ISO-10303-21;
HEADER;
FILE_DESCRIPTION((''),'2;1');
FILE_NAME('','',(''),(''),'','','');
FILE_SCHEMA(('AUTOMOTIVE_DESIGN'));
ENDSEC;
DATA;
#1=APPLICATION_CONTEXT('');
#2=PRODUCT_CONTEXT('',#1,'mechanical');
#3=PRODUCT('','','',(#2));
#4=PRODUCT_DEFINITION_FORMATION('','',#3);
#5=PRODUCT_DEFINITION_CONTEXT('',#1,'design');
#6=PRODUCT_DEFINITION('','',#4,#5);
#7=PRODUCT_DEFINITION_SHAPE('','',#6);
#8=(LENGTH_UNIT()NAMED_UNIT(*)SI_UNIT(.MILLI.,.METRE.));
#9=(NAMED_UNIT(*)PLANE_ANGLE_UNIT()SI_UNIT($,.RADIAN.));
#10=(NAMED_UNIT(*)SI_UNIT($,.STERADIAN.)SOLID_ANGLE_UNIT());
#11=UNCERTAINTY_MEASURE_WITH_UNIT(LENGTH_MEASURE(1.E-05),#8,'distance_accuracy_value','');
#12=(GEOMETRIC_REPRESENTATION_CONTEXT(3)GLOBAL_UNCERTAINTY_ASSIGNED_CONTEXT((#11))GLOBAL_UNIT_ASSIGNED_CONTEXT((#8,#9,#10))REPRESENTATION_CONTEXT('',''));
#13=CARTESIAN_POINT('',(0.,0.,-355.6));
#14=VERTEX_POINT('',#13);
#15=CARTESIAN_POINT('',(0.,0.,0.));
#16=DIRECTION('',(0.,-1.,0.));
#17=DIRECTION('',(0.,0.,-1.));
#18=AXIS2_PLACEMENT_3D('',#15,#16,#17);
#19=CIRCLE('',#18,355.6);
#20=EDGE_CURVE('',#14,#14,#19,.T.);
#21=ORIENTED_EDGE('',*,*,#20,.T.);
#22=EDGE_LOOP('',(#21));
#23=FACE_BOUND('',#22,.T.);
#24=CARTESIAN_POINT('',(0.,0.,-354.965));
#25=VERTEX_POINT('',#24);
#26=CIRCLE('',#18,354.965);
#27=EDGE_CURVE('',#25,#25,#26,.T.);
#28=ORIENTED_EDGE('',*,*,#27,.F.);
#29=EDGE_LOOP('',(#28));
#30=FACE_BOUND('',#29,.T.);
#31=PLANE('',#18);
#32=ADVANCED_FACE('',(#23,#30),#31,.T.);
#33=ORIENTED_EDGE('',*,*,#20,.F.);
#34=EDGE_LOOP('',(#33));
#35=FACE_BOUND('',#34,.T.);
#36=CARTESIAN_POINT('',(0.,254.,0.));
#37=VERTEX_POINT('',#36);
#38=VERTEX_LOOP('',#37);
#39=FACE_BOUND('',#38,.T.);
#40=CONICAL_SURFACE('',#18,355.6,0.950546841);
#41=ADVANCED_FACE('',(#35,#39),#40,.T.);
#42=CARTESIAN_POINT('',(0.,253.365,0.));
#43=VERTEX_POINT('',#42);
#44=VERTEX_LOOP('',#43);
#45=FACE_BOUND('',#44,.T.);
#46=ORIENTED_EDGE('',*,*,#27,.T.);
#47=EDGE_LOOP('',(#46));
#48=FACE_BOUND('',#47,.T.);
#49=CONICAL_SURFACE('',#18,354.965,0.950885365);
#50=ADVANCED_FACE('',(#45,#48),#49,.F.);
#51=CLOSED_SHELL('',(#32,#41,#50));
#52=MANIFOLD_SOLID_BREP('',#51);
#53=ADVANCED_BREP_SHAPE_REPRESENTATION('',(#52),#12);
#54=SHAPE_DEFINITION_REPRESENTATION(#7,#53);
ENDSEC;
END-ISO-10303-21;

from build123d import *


with BuildPart() as part:
    # Sketch1 → Revolve1 (revolve)
    with BuildSketch(Plane.XY, mode=Mode.PRIVATE) as revolve1_sk:
        Polygon((0, 0), (0, 254), (355.6, 0), align=None)
    revolve(revolve1_sk.sketch.rotate(Axis((0, 0, 0), (0, 1, 0)), 90), axis=Axis((0, 0, 0), (0, 1, 0)))

    # Sketch2 → Cut-Revolve1 (revolve, cut)
    with BuildSketch(Plane.XY, mode=Mode.PRIVATE) as cut_revolve1_sk:
        Polygon((0, 0), (0, 253.365), (354.965, 0), align=None)
    revolve(cut_revolve1_sk.sketch.rotate(Axis((0, 0, 0), (0, 1, 0)), 90), axis=Axis((0, 0, 0), (0, 1, 0)), mode=Mode.SUBTRACT)


solid = part.part
